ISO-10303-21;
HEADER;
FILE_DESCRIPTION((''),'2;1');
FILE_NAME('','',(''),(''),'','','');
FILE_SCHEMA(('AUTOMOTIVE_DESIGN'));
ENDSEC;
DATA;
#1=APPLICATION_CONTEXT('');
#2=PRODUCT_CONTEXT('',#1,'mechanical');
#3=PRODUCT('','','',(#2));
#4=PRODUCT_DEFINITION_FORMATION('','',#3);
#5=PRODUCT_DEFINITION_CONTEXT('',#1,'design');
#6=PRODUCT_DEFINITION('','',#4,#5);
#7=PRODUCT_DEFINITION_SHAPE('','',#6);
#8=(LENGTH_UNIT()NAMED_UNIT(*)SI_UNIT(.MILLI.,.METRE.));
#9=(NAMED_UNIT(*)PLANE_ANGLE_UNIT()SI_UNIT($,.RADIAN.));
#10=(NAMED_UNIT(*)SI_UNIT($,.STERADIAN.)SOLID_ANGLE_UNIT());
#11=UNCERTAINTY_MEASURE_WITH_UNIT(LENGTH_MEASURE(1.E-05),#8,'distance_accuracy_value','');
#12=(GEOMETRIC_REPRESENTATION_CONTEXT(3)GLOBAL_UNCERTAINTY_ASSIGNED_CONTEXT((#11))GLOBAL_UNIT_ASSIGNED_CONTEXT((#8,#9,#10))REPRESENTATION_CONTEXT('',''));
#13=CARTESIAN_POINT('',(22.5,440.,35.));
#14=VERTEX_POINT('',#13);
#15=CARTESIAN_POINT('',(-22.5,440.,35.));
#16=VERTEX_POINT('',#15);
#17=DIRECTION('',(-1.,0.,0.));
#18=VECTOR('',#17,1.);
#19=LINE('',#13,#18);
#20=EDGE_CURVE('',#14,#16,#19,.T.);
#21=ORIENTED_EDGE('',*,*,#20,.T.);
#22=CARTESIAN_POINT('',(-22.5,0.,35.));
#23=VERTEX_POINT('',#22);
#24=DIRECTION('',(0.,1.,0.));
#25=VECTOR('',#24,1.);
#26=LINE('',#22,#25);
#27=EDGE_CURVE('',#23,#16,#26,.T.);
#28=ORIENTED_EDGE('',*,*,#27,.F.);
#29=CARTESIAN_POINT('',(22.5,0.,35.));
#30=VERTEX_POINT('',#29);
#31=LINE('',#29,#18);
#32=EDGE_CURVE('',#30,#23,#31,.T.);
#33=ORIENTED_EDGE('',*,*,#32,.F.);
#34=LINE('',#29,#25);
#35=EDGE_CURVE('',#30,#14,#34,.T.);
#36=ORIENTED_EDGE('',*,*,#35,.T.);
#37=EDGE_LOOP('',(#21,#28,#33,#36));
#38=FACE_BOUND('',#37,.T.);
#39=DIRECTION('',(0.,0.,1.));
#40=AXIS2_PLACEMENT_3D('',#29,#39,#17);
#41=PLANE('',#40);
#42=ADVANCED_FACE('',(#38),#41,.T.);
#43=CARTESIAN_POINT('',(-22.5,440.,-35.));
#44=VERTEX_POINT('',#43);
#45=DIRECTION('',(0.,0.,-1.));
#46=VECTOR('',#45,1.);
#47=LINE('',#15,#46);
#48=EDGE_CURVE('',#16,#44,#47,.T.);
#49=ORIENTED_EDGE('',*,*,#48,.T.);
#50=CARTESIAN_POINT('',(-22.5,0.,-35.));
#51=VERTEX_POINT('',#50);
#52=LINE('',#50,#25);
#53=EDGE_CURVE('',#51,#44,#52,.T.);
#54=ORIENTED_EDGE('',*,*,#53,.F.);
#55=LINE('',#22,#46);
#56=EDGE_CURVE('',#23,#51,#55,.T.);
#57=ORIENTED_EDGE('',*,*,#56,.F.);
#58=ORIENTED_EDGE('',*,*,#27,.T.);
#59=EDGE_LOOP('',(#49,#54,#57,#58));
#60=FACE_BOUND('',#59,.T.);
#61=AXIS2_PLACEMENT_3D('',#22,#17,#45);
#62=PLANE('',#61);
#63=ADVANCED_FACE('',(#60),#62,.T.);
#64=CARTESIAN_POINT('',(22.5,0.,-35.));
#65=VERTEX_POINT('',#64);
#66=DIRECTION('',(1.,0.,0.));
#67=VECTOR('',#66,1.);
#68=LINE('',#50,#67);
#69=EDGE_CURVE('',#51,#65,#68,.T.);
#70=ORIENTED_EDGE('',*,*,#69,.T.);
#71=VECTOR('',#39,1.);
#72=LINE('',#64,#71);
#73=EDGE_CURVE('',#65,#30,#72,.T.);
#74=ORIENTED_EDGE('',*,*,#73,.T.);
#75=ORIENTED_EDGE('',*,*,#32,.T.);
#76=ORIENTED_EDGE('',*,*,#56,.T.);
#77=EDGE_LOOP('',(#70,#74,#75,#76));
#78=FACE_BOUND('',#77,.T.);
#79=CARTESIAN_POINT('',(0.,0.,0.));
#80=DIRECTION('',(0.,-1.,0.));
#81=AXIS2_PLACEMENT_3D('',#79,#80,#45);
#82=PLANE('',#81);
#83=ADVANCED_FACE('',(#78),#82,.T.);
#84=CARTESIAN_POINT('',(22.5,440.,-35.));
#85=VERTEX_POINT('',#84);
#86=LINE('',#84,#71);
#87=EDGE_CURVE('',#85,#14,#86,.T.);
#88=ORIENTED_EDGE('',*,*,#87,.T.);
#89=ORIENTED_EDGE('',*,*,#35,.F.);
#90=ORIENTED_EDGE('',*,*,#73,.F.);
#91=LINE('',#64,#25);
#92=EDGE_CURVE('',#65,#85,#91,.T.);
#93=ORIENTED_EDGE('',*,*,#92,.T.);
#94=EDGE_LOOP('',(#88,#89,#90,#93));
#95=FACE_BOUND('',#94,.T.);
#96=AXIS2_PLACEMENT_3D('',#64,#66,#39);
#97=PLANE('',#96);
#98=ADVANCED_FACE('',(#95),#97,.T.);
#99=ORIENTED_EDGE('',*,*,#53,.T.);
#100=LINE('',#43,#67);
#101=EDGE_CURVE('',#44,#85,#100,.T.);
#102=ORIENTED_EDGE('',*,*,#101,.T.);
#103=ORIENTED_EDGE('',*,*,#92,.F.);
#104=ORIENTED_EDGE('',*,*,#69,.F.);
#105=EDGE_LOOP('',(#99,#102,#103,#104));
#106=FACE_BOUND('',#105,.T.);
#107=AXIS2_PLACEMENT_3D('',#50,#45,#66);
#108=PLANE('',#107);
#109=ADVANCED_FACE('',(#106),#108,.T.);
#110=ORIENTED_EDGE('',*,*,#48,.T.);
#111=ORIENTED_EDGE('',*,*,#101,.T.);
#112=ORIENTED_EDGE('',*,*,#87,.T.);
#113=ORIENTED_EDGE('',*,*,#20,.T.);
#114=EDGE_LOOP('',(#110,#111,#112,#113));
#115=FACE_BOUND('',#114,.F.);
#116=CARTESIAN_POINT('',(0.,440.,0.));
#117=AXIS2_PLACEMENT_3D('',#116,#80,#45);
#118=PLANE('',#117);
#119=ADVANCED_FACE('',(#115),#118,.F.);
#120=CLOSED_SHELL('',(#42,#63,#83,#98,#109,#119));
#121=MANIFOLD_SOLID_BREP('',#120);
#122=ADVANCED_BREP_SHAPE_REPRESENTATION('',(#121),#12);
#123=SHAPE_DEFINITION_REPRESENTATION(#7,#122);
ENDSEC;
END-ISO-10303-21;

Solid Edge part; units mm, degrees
sketch "Sketch1" plane through (0, 0, 0) normal (0, -1, 0) x (1, 0, 0)
  line L0 (-22.5, -35) -> (22.5, -35)
  line L1 (22.5, -35) -> (22.5, 35)
  line L2 (22.5, 35) -> (-22.5, 35)
  line L3 (-22.5, 35) -> (-22.5, -35)
extrude "Protrusion1" add sketch "Sketch1" against normal blind 440
